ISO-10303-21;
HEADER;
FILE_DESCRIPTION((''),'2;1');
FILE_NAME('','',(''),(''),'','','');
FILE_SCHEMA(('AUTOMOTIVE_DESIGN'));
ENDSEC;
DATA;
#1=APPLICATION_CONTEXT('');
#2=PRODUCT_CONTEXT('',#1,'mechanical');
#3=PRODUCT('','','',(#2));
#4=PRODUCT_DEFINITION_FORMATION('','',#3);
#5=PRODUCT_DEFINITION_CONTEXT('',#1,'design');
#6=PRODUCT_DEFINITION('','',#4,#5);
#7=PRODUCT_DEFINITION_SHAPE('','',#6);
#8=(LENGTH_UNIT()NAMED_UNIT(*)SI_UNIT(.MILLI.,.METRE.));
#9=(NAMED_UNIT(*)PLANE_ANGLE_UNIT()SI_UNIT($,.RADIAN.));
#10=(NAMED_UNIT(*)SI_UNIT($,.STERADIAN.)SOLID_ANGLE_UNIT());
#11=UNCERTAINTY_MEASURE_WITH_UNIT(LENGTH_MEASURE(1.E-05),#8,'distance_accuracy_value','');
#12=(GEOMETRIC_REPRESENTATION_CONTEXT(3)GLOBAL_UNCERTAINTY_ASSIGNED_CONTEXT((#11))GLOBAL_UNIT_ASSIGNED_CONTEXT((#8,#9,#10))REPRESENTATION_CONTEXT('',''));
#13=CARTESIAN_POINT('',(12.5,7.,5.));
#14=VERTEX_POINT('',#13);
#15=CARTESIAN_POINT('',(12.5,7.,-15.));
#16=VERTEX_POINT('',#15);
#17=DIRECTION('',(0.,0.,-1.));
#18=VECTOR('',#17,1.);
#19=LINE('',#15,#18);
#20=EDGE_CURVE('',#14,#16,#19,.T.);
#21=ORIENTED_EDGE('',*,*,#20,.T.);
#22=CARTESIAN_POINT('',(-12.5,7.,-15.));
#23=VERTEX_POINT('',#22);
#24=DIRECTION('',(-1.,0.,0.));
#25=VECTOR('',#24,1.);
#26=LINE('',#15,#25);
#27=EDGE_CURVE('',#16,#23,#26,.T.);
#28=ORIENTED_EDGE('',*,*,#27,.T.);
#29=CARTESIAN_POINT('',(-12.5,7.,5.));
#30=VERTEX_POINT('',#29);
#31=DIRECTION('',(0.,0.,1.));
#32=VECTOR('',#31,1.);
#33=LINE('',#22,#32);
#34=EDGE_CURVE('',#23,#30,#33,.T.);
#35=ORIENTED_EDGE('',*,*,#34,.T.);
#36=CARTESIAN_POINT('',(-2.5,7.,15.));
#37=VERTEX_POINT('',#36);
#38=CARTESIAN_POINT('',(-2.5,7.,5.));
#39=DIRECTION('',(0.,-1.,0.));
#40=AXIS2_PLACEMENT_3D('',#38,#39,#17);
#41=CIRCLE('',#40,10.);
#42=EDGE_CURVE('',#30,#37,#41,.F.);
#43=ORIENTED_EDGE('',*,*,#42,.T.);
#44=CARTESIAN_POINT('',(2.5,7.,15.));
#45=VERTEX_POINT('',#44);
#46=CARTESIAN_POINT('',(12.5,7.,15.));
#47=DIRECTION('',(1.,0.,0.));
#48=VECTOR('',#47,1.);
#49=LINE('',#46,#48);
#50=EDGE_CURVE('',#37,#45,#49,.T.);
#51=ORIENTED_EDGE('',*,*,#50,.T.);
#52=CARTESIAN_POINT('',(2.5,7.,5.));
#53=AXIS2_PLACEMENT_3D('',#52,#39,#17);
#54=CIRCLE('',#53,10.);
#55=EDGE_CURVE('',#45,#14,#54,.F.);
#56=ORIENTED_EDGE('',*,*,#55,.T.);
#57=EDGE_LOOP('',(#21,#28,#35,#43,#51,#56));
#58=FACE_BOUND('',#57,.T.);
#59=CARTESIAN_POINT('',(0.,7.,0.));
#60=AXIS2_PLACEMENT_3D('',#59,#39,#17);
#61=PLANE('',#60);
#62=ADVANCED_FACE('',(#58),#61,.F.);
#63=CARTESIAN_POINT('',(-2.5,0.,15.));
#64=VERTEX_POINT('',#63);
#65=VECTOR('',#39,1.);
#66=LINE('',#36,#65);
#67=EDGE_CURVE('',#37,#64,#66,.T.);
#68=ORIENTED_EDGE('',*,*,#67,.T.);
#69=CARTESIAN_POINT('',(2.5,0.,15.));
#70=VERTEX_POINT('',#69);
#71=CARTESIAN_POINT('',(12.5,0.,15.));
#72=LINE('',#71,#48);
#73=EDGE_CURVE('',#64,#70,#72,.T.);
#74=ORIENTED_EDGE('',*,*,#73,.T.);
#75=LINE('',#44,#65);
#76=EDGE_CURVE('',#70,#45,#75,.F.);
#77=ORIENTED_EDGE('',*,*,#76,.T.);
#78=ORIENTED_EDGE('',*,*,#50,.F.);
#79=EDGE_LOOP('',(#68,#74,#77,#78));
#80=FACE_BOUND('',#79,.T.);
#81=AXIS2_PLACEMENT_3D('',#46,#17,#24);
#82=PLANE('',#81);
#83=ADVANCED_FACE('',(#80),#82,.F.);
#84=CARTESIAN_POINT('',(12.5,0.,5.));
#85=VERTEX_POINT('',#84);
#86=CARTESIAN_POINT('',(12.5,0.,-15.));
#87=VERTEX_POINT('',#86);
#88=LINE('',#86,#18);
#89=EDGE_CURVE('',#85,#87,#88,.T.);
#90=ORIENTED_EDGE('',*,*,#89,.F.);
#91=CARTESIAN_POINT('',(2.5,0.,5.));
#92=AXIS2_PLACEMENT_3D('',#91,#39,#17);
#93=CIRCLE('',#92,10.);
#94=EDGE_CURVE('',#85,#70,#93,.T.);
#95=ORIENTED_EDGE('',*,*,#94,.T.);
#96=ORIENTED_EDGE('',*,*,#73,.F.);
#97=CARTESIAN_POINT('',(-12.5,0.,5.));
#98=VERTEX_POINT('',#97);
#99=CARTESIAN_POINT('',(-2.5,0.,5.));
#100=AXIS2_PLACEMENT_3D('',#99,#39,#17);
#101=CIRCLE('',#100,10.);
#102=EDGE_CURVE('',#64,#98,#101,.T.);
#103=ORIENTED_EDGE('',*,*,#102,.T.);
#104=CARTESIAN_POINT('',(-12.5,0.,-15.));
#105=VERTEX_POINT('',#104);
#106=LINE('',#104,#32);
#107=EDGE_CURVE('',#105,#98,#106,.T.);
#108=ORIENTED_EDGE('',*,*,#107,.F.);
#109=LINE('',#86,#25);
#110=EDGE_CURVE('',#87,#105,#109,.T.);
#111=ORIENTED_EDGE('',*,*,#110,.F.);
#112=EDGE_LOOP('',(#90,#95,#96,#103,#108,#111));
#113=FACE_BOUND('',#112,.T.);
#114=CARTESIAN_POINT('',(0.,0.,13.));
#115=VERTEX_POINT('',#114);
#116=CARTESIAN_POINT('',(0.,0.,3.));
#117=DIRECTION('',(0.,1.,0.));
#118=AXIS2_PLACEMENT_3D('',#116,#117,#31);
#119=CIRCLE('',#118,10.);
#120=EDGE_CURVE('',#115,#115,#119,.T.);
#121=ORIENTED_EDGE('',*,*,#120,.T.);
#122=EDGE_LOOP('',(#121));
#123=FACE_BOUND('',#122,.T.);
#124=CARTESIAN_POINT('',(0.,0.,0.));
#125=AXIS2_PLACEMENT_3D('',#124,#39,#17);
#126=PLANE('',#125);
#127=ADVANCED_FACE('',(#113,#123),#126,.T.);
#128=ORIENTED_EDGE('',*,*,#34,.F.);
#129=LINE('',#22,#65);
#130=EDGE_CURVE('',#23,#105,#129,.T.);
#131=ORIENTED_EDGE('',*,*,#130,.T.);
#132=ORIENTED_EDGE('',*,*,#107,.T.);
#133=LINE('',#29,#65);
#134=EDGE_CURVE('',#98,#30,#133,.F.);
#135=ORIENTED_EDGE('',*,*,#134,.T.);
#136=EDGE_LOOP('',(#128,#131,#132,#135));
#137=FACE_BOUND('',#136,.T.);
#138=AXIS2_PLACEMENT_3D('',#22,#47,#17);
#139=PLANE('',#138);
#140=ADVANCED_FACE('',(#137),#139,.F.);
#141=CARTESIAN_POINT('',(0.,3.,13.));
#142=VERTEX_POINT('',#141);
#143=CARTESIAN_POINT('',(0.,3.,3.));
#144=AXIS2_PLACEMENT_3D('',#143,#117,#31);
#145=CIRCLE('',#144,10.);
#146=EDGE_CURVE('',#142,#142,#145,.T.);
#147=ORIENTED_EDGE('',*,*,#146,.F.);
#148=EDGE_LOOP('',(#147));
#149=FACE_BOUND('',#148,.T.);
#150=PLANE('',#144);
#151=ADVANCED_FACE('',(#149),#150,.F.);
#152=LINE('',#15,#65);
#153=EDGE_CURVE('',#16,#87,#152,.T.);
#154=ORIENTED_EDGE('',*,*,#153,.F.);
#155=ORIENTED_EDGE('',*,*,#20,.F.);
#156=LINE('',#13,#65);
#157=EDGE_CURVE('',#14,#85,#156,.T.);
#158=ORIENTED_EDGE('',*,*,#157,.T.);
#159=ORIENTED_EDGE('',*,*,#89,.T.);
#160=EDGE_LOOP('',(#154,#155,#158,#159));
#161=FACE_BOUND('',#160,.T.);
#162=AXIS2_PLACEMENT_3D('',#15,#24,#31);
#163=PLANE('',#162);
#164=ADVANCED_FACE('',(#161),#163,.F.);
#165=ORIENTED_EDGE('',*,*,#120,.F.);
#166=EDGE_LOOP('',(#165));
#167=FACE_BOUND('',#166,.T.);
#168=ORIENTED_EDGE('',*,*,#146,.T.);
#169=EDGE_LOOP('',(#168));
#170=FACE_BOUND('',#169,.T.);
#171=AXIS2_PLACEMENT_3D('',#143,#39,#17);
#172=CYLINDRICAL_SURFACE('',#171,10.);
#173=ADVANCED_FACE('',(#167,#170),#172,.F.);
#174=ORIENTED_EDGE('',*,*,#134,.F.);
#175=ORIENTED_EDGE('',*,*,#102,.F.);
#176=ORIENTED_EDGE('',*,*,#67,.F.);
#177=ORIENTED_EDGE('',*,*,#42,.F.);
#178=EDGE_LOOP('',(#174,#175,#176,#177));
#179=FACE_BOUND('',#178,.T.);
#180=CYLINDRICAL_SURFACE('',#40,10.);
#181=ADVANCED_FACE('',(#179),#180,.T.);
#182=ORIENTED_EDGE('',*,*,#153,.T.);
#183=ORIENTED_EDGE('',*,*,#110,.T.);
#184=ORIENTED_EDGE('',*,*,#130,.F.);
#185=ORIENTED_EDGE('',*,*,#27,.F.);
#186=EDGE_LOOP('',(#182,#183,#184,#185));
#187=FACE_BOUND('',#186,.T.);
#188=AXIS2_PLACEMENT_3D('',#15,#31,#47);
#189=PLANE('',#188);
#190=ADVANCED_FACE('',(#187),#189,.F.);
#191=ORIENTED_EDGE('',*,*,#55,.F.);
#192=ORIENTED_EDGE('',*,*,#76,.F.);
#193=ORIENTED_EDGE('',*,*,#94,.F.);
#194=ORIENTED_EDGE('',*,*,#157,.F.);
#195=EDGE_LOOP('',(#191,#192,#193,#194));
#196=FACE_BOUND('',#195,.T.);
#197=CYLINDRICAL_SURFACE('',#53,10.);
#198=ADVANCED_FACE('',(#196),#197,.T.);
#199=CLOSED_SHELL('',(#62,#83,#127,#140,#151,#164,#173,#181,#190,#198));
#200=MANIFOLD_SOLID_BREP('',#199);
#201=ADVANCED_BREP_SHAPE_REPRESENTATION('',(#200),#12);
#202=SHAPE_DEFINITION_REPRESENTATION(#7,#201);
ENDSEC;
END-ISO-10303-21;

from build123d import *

# Parameters (mm, degrees)
SKETCH1_W           = 25
SKETCH1_H           = 30
BOSS_EXTRUDE1_DEPTH = 7
SKETCH2_R           = 10
CUT_EXTRUDE1_DEPTH  = 3
FILLET1_R           = 10
FILLET2_R           = 10


with BuildPart() as part:
    # Sketch1 → Boss-Extrude1 (new body)
    with BuildSketch(Plane(origin=(0, 0, 0), x_dir=(1, 0, 0), z_dir=(0, 1, 0))):
        Rectangle(SKETCH1_W, SKETCH1_H)
    extrude(amount=BOSS_EXTRUDE1_DEPTH)

    # Sketch2 → Cut-Extrude1 (cut)
    with BuildSketch(Plane(origin=(0, 0, 0), x_dir=(1, 0, 0), z_dir=(0, 1, 0))):
        with Locations(Location((0, -3, 0), (0, 0, 270))):
            Circle(SKETCH2_R)
    extrude(amount=CUT_EXTRUDE1_DEPTH, mode=Mode.SUBTRACT)

    # Fillet1
    fillet1_edges = [part.edges().sort_by_distance(p)[0] for p in [
        (-12.5, 3.5, 15),
    ]]
    fillet(fillet1_edges, radius=FILLET1_R)

    # Fillet2
    fillet2_edges = [part.edges().sort_by_distance(p)[0] for p in [
        (12.5, 3.5, 15),
    ]]
    fillet(fillet2_edges, radius=FILLET2_R)


solid = part.part
